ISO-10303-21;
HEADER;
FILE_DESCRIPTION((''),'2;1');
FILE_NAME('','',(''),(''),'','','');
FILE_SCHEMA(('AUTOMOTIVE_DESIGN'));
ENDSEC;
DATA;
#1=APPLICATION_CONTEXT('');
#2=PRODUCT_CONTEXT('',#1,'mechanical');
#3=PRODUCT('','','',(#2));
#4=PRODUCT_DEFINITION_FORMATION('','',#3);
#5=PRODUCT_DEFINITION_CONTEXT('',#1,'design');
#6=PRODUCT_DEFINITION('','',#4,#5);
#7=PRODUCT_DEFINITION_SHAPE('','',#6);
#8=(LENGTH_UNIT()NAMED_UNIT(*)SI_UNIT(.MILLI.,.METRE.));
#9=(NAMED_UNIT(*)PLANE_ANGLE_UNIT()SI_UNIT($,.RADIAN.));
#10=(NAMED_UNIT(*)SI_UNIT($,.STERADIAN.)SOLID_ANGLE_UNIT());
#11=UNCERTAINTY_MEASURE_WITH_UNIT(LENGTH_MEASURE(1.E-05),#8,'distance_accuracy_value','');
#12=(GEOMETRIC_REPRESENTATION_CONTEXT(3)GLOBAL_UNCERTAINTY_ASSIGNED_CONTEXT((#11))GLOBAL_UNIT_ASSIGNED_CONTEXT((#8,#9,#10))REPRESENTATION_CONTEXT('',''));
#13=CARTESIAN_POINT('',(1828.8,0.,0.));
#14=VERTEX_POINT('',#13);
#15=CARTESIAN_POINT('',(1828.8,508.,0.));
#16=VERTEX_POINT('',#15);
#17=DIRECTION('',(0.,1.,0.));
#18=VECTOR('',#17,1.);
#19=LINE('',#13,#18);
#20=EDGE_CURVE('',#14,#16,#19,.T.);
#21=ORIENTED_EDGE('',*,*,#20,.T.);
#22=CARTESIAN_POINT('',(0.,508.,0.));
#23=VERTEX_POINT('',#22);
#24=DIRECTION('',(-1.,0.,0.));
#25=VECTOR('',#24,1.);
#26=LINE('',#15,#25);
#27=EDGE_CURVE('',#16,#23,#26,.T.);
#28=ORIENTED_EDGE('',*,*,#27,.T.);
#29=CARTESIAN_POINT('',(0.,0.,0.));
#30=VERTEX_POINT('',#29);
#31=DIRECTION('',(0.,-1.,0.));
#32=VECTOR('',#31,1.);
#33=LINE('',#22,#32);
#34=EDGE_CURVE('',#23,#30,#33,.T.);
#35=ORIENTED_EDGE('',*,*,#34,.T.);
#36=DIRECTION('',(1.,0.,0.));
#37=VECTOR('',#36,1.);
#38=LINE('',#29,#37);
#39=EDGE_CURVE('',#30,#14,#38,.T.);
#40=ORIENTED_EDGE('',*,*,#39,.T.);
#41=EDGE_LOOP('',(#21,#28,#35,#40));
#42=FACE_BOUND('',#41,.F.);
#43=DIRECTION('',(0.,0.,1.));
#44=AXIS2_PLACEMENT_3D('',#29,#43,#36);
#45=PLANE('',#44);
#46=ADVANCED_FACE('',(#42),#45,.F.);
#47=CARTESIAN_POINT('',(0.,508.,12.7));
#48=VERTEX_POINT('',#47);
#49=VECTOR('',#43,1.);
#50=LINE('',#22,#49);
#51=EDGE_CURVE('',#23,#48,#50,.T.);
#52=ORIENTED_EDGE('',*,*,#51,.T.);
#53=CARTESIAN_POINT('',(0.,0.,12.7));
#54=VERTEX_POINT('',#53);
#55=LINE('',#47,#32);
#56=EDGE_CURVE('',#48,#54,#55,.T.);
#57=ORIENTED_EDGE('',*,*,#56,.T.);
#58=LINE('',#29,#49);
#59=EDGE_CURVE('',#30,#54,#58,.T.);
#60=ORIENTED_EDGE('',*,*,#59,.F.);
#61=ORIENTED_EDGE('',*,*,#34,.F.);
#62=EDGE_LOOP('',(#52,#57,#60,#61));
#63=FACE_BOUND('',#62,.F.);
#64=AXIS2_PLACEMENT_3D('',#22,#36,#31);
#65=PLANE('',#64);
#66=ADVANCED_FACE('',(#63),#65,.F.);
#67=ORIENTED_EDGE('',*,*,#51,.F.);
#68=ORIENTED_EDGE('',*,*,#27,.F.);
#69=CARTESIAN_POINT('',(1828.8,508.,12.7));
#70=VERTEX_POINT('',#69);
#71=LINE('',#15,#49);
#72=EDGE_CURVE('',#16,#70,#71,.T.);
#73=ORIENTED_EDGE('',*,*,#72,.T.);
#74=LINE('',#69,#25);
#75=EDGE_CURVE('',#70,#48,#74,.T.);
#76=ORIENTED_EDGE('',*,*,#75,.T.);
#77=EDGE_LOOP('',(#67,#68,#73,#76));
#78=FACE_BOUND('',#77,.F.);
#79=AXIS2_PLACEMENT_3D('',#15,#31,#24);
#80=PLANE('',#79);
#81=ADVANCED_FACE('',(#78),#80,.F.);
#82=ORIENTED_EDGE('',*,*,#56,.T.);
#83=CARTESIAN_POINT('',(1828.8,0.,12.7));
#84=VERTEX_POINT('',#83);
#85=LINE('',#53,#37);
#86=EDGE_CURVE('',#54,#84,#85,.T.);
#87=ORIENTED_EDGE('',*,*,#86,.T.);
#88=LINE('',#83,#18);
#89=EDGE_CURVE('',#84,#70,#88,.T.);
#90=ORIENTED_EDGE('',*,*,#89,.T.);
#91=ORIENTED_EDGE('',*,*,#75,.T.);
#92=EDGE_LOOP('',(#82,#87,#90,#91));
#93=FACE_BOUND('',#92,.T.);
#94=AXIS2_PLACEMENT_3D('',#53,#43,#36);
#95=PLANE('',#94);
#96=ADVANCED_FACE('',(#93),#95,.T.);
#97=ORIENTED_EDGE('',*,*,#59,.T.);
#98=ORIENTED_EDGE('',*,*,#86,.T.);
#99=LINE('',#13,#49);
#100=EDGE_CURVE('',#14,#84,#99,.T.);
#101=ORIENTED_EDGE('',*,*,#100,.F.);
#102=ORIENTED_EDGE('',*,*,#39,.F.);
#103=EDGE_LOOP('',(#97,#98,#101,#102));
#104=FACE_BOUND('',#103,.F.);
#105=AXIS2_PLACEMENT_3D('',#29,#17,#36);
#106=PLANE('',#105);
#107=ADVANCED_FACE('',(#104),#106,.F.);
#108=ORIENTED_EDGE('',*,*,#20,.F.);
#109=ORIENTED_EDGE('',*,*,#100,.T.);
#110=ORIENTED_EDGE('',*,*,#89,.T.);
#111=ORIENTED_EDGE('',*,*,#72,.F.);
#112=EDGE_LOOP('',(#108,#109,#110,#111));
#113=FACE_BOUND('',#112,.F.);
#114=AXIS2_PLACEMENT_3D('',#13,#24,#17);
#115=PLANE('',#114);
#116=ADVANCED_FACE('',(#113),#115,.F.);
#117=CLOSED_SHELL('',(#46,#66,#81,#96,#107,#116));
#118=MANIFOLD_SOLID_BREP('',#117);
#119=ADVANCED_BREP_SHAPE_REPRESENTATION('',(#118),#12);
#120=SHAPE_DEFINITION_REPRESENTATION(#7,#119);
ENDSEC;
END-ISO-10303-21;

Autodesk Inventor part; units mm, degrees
ref_plane "YZ Plane" through (0, 0, 0) normal (1, 0, 0) x (0, 1, 0)
ref_plane "XZ Plane" through (0, 0, 0) normal (0, 1, 0) x (-1, 0, 0)
ref_plane "XY Plane" through (0, 0, 0) normal (0, 0, 1) x (1, 0, 0)
sketch "Sketch1" plane through (0, 0, 0) normal (0, 0, 1) x (1, 0, 0)
  line L0 (0, 0) -> (1828.8, 0)
  line L1 (1828.8, 0) -> (1828.8, 508)
  line L2 (1828.8, 508) -> (0, 508)
  line L3 (0, 508) -> (0, 0)
  dimension "d0" = 1828.8
  dimension "d1" = 508
extrude "Extrusion1" add sketch "Sketch1" along normal blind 12.7
ref_plane "Work Plane1" through (0, 254, 0) normal (0, 1, 0) x (1, 0, 0)
properties part number "plywood platform" material "Wood (Birch)"
